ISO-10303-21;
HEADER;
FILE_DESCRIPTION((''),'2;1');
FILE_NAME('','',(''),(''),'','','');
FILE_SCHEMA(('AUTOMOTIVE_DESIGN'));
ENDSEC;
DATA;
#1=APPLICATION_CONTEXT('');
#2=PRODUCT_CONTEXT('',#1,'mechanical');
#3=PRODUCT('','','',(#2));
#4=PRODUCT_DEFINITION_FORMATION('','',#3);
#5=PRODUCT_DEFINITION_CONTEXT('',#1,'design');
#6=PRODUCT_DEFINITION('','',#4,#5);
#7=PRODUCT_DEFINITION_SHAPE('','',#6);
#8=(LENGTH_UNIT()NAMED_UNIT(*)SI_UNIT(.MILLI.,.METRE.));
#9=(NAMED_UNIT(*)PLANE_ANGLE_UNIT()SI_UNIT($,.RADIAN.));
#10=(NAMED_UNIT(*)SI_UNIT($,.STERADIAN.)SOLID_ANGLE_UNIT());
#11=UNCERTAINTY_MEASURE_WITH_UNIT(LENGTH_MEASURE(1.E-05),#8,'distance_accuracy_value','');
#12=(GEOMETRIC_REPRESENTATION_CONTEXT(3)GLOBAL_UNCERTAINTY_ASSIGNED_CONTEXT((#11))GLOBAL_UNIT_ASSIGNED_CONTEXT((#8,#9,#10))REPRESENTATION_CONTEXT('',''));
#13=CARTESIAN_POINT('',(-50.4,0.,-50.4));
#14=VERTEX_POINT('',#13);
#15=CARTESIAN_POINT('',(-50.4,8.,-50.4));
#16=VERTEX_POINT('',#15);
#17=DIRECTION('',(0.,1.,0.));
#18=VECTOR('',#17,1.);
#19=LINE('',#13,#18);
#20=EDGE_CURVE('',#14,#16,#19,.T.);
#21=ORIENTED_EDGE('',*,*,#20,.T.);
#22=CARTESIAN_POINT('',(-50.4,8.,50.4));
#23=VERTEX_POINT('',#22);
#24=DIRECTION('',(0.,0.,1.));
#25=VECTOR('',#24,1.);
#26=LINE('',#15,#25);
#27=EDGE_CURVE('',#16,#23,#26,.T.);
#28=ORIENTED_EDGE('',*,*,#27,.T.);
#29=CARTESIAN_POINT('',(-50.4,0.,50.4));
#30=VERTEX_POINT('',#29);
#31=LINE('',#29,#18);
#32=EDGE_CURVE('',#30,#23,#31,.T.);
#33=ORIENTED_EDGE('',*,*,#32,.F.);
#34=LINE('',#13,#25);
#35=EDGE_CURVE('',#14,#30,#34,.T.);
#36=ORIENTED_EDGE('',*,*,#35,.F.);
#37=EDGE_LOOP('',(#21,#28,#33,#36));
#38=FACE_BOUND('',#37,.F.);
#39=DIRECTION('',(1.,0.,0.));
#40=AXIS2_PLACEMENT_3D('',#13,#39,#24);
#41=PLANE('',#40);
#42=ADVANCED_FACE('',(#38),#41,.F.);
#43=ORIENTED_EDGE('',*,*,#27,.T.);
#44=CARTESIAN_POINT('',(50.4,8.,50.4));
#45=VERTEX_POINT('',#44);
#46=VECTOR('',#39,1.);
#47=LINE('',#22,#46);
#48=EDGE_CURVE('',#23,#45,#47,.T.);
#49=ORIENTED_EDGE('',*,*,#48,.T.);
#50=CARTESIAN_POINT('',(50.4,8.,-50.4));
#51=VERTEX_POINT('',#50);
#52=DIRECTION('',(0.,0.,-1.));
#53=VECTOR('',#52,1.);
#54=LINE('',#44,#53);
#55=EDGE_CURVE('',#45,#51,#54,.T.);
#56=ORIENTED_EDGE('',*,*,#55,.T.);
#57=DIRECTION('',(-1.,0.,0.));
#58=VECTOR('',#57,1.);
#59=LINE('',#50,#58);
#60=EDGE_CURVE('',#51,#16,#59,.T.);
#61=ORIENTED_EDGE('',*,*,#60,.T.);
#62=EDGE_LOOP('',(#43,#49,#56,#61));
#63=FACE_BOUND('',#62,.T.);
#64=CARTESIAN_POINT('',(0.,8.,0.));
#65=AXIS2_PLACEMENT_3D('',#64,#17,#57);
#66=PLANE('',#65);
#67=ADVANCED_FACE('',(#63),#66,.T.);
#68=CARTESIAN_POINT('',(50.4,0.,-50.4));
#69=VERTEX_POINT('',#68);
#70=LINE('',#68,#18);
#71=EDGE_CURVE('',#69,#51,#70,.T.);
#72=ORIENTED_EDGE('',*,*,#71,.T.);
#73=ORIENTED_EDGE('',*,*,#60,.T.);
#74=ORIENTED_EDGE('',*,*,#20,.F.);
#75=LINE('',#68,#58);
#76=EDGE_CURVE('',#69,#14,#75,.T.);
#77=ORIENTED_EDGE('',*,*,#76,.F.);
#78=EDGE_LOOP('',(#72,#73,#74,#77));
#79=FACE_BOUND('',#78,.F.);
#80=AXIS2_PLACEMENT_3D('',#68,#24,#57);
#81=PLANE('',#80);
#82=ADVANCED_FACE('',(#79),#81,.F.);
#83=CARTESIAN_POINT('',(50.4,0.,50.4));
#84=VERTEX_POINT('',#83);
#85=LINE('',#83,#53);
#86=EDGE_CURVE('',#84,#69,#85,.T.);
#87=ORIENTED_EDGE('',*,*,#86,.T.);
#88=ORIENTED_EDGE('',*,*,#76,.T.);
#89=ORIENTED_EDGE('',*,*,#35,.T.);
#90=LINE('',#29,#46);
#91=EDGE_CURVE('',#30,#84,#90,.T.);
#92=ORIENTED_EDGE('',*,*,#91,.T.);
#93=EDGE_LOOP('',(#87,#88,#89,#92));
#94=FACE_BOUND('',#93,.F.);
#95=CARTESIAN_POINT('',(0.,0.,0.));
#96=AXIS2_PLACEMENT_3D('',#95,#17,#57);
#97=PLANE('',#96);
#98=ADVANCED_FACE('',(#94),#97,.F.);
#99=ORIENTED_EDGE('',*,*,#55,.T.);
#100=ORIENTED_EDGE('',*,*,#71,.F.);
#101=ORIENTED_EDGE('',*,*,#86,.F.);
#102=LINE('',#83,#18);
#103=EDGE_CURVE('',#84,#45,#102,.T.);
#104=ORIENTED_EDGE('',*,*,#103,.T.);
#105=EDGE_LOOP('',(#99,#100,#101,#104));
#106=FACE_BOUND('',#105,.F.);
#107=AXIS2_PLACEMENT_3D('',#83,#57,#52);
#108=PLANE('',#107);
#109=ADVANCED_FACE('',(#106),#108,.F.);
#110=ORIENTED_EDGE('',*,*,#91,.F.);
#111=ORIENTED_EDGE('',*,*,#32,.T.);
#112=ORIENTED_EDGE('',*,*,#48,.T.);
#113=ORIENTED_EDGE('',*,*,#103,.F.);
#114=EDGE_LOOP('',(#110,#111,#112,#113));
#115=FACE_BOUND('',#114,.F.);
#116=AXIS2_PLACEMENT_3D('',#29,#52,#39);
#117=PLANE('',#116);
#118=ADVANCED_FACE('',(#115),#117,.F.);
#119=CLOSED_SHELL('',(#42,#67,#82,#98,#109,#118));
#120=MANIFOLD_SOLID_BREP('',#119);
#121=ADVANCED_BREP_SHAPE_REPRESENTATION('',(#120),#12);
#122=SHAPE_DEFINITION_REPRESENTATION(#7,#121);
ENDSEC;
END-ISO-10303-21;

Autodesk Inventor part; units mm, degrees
ref_plane "YZ Plane" through (0, 0, 0) normal (1, 0, 0) x (0, 1, 0)
ref_plane "XZ Plane" through (0, 0, 0) normal (0, 1, 0) x (-1, 0, 0)
ref_plane "XY Plane" through (0, 0, 0) normal (0, 0, 1) x (1, 0, 0)
sketch "Sketch1" plane through (0, 0, 0) normal (0, 1, 0) x (-1, 0, 0)
  line L0 (50.4, 50.4) -> (-50.4, 50.4)
  line L1 (-50.4, 50.4) -> (-50.4, -50.4)
  line L2 (-50.4, -50.4) -> (50.4, -50.4)
  line L3 (50.4, -50.4) -> (50.4, 50.4)
  point P0 (0, 0)
  point P1 (0, -50.4)
  point P2 (50.4, 0)
  dimension "d0" = 100.8
extrude "Extrusion1" add sketch "Sketch1" along normal blind 8
properties part number "Sheet_8mm"
